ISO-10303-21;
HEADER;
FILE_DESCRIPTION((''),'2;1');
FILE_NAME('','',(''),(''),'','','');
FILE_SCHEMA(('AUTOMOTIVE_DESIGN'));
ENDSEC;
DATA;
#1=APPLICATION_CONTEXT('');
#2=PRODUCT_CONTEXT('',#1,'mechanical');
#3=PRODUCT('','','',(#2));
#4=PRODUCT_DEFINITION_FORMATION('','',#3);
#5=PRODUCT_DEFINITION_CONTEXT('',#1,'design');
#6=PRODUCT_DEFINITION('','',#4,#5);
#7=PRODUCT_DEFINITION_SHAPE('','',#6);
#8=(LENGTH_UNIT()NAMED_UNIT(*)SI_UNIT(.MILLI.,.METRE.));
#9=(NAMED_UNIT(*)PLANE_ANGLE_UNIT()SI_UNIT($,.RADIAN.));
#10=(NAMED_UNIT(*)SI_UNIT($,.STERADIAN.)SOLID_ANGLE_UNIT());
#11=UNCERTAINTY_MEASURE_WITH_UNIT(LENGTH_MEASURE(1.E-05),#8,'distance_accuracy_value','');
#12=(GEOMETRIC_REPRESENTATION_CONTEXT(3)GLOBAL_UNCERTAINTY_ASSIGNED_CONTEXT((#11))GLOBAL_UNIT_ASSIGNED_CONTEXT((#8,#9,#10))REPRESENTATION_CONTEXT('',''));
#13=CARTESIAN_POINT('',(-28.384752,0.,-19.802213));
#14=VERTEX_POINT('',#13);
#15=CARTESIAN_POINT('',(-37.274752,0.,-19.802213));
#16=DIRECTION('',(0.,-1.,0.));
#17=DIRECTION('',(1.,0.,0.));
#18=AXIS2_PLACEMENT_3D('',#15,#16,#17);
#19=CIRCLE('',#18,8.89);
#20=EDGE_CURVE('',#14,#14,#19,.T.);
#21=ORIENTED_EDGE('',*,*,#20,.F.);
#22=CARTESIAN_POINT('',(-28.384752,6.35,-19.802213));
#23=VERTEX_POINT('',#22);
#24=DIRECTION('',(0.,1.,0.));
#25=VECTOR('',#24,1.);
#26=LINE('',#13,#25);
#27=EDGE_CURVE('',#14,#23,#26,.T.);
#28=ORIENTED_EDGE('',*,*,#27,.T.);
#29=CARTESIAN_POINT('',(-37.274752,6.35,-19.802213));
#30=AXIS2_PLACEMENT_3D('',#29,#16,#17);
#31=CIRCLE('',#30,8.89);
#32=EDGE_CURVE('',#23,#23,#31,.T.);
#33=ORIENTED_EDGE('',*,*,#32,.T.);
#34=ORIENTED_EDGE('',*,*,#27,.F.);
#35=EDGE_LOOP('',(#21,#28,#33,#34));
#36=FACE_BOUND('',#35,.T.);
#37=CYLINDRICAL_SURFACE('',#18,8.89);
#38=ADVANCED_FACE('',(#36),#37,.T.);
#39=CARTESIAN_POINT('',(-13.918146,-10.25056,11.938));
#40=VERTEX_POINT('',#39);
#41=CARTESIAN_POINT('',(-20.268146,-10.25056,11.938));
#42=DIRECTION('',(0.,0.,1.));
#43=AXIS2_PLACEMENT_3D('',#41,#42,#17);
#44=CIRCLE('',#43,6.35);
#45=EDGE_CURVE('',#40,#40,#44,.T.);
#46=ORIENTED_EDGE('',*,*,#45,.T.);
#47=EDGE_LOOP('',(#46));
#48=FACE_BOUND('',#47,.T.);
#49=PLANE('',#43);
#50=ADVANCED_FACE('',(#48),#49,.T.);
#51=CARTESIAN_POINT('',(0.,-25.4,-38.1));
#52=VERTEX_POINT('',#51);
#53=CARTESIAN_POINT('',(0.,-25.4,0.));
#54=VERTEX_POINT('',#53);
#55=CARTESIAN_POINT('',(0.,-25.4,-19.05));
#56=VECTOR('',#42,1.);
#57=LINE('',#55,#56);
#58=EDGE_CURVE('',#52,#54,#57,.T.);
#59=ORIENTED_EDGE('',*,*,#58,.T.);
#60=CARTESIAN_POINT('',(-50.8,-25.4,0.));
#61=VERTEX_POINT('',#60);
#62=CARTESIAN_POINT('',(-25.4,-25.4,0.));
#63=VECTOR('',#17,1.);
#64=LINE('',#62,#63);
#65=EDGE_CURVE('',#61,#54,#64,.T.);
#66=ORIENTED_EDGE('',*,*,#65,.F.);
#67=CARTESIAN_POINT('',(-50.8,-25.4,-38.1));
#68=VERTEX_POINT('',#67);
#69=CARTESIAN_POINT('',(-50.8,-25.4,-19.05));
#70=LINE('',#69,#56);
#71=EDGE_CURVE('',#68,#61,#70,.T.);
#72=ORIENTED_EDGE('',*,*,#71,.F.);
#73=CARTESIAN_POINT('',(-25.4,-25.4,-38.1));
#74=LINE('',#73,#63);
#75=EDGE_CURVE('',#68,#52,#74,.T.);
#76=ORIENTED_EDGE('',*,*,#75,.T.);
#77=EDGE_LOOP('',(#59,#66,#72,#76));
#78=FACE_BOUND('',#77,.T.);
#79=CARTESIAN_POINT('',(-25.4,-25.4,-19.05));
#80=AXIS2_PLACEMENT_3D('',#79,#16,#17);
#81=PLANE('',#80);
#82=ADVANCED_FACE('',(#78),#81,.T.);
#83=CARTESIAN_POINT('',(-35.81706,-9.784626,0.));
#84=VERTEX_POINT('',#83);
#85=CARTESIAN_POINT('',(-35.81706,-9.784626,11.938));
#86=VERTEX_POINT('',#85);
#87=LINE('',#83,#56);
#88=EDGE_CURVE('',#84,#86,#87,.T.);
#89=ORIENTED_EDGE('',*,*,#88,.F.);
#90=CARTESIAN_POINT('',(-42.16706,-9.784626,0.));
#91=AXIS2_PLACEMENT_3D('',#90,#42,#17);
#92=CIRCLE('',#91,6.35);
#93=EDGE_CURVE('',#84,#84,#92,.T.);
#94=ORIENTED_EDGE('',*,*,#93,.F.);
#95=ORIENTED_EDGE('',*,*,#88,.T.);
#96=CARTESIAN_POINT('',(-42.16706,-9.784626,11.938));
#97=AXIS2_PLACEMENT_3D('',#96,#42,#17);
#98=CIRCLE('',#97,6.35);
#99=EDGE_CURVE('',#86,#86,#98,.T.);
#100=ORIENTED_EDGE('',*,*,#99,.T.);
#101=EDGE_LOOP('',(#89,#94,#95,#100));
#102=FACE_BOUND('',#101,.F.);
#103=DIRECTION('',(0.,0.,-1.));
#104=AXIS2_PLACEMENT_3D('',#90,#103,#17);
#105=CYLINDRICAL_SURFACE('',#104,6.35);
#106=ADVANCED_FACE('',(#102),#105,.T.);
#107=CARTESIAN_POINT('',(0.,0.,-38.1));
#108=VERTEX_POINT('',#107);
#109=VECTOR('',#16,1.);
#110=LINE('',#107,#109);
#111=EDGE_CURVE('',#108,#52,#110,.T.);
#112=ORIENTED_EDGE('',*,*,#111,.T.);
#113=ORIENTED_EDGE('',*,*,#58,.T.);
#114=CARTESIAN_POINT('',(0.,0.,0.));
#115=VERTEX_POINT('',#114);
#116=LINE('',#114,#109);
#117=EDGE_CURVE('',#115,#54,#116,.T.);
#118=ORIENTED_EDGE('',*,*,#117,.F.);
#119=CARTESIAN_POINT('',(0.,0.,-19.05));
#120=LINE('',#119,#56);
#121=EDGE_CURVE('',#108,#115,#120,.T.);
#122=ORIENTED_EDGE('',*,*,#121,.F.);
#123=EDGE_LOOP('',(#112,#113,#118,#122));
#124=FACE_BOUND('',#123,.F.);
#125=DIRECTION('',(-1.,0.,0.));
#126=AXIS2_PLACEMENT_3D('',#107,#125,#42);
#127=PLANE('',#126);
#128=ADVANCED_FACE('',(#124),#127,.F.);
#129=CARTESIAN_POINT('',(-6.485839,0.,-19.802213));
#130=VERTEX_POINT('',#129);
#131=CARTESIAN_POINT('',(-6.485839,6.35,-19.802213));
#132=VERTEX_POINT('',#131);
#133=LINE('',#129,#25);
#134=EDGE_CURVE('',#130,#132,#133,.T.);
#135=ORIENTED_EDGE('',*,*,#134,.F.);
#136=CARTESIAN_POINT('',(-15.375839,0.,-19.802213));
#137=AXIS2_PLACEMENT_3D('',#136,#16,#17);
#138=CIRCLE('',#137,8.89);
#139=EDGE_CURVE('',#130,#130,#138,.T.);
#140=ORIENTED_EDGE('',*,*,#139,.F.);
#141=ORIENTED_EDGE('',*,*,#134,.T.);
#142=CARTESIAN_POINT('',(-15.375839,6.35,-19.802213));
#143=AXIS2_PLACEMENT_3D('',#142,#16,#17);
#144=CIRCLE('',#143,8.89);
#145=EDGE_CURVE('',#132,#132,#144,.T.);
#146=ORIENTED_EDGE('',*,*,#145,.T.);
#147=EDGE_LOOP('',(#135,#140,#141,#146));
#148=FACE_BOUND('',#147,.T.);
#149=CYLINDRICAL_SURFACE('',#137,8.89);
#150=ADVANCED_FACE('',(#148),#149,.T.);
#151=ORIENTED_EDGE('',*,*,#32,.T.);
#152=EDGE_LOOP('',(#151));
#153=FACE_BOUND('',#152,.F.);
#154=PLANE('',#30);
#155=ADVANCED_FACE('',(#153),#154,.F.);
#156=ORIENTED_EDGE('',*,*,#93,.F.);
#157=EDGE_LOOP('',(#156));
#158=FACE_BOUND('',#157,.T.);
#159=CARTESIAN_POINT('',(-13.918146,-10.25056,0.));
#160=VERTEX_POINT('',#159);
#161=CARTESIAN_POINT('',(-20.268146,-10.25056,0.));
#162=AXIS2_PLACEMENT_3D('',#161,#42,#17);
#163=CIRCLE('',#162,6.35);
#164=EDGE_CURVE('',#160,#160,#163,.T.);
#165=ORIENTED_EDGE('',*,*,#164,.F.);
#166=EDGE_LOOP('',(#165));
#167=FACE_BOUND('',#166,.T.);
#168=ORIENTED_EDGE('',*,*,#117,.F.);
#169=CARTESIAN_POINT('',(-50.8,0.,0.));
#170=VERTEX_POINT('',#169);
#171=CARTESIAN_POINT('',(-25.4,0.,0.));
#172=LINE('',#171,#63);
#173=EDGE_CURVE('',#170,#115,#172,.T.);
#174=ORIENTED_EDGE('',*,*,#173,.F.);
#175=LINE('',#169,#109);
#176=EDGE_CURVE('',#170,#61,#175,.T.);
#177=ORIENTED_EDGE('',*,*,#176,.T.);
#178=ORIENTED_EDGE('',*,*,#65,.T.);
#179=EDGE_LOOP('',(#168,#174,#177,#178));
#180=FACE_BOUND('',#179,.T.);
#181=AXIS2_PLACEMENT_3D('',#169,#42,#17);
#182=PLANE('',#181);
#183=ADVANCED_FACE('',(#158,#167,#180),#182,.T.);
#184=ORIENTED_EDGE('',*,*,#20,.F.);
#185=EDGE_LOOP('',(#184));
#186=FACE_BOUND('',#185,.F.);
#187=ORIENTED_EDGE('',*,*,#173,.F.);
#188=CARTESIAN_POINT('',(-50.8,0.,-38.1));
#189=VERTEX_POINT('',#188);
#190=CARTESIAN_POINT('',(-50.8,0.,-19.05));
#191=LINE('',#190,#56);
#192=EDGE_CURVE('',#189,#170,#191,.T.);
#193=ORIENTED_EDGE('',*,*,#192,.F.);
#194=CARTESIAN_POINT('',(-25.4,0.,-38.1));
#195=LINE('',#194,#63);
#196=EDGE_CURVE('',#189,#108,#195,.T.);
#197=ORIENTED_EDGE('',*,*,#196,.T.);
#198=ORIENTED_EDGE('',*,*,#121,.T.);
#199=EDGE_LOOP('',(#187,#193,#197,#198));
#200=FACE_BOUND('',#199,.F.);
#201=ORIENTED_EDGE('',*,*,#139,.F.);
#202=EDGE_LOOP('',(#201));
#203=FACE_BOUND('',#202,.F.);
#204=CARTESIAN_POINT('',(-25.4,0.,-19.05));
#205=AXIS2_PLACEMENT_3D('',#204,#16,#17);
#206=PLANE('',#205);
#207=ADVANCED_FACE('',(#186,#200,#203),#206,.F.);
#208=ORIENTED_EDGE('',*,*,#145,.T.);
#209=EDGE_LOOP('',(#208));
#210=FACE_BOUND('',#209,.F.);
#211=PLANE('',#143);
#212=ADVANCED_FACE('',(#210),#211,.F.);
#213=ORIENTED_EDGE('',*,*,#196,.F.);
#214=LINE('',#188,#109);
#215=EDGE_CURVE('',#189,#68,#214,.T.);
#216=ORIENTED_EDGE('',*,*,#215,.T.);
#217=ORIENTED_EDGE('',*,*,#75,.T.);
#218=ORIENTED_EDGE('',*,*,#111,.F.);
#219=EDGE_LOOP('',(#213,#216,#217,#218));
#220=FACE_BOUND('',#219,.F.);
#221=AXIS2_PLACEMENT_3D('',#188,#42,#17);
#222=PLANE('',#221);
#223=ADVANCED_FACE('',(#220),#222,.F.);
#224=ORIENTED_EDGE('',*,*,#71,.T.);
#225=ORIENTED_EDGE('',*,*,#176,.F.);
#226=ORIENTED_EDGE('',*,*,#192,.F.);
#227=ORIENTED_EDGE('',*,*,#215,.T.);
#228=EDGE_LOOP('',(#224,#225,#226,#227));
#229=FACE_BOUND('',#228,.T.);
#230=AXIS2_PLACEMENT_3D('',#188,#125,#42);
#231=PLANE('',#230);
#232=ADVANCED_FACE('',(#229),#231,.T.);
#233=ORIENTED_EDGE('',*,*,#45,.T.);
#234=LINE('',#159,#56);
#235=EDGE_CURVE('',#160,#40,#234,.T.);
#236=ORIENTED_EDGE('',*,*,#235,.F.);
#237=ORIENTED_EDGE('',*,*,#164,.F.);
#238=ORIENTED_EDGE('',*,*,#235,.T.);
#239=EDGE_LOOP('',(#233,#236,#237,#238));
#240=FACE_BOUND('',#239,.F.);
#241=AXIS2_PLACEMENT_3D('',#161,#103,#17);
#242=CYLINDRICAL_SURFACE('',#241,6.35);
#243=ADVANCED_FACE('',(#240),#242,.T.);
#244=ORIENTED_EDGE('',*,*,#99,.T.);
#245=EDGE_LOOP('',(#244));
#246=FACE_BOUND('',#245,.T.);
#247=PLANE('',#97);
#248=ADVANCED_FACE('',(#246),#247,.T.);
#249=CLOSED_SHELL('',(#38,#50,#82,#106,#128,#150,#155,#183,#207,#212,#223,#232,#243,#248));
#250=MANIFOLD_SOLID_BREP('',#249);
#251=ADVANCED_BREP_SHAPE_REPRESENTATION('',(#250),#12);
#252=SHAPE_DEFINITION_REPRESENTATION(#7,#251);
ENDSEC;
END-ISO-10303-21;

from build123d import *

# Parameters (mm, degrees)
F0_W     = 50.8
F0_H     = 38.1
F1_DEPTH = 25.4
F2_R     = 6.35
F3_DEPTH = 11.938
F4_R     = 8.89
F5_DEPTH = 6.35


with BuildPart() as f1:
    # F0 (on Front) → F1 (new body)
    with BuildSketch(Plane.XZ):
        with Locations((-25.4, -19.05)):
            Rectangle(F0_W, F0_H)
    extrude(amount=F1_DEPTH)

    # F2 (on Top) → F3 (join)
    with BuildSketch(Plane.XY):
        with Locations((-42.16706, -9.784626)):
            Circle(F2_R)
        with Locations((-20.268146, -10.25056)):
            Circle(F2_R)
    extrude(amount=F3_DEPTH)

    # F4 (on Front) → F5 (join)
    with BuildSketch(Plane.XZ):
        with Locations((-15.375839, -19.802213)):
            Circle(F4_R)
        with Locations((-37.274752, -19.802213)):
            Circle(F4_R)
    extrude(amount=-F5_DEPTH)


solid = f1.part
